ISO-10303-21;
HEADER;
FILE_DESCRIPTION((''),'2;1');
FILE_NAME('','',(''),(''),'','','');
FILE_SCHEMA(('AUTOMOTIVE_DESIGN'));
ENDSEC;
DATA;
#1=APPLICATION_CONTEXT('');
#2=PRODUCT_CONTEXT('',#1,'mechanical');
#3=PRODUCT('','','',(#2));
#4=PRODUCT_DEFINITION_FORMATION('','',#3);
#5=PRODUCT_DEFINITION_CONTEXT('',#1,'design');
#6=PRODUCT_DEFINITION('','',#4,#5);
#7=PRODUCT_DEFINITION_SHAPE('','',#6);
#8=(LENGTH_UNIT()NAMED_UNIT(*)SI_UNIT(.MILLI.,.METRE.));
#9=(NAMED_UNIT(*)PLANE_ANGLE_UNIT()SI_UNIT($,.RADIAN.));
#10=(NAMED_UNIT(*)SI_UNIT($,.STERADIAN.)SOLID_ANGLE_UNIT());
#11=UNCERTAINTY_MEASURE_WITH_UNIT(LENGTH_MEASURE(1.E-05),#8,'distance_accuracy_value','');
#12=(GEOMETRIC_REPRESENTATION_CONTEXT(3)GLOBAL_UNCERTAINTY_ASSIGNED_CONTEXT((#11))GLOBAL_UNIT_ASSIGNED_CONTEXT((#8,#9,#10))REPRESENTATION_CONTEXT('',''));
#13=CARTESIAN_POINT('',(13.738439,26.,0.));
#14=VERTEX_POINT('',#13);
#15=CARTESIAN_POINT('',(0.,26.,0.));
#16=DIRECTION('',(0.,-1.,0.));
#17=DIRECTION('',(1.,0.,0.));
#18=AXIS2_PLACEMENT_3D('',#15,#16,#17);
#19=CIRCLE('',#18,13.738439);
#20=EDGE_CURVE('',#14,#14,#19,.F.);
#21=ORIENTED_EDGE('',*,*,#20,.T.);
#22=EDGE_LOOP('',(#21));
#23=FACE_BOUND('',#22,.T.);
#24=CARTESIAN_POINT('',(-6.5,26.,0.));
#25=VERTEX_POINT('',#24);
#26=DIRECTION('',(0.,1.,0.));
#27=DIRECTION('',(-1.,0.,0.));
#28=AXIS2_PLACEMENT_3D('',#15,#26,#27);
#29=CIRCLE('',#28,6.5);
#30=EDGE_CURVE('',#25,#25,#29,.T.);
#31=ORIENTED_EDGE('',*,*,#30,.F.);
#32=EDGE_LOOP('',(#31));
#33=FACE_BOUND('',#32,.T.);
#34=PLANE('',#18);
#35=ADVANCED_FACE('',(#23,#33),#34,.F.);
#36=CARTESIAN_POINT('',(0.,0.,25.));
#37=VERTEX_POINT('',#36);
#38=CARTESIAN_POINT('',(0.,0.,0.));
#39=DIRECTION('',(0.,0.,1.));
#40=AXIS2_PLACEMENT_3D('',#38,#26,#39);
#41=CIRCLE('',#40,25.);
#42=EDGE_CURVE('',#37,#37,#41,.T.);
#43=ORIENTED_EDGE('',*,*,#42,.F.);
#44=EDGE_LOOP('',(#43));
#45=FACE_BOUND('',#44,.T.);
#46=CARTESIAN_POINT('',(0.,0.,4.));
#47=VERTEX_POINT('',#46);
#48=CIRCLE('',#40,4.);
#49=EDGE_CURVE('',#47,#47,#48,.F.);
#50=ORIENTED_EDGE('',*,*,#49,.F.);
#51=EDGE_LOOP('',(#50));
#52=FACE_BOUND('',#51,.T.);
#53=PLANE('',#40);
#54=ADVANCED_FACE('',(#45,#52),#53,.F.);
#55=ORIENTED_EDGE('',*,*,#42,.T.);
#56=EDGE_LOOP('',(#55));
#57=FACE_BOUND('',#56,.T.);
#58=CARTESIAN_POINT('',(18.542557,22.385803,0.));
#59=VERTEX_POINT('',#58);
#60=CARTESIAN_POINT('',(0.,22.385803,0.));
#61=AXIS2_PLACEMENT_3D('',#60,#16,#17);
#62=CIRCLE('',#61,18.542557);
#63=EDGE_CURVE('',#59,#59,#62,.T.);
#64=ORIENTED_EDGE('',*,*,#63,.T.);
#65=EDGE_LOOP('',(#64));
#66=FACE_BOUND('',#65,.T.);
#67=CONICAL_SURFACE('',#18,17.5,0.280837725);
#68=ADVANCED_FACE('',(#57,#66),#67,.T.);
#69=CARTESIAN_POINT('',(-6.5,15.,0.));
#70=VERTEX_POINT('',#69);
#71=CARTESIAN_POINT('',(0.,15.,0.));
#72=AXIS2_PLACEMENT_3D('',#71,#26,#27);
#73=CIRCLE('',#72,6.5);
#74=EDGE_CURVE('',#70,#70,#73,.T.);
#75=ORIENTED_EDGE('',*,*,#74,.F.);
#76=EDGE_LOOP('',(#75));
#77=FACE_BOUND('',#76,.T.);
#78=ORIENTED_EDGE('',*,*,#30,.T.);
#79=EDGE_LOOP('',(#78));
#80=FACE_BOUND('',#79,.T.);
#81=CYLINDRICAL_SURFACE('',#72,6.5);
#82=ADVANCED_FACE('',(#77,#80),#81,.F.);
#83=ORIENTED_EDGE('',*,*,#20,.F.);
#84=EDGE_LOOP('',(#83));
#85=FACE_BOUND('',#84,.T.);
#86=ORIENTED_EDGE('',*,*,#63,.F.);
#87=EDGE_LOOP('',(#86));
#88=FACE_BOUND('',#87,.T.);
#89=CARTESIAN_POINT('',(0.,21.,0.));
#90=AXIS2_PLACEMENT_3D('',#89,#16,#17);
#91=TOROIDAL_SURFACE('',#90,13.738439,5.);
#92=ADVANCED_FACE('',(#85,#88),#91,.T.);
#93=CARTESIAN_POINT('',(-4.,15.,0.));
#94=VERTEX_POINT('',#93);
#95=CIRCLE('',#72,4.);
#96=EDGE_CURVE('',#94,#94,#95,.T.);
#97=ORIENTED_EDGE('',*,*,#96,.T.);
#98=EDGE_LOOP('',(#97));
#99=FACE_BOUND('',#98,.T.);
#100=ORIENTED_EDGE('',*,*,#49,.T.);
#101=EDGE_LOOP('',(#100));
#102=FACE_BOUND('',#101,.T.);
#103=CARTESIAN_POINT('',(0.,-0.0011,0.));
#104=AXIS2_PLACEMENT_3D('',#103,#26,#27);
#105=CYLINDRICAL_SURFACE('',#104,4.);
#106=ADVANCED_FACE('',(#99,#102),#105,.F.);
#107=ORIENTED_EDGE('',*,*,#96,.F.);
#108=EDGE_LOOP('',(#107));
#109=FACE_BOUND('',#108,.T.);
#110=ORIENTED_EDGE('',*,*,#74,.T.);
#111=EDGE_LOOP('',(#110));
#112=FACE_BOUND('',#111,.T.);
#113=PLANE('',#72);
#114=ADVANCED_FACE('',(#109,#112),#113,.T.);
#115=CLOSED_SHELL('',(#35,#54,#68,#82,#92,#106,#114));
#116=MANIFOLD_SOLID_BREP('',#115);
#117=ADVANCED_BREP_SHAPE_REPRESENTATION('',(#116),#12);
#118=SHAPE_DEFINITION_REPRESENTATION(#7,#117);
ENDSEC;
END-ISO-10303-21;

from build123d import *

# Parameters (mm, degrees)
SKETCH_1_R          = 17.5
SKETCH_2_R          = 25
SKETCH_3_R          = 6.5
CUT_EXTRUDE_1_DEPTH = 11
CUT_EXTRUDE_2_REACH = 17
SKETCH_4_R          = 4
FILLET_1_R          = 5


with BuildPart() as part:
    # 草图1 → 放样1 section 0
    with BuildSketch(Plane(origin=(0, 26, 0), x_dir=(-1, 0, 0), z_dir=(0, -1, 0))):
        Circle(SKETCH_1_R)
    # 草图2 → 放样1 section 1
    with BuildSketch(Plane(origin=(0, 0, 0), x_dir=(1, 0, 0), z_dir=(0, 1, 0))):
        Circle(SKETCH_2_R)
    loft()

    # 草图3 → 切除-拉伸1 (cut)
    with BuildSketch(Plane(origin=(0, 26, 0), x_dir=(1, 0, 0), z_dir=(0, 1, 0))):
        Circle(SKETCH_3_R)
    extrude(amount=-CUT_EXTRUDE_1_DEPTH, mode=Mode.SUBTRACT)

    # 草图4 → 切除-拉伸2 (cut, up to next)
    with BuildSketch(Plane(origin=(0, 15, 0), x_dir=(1, 0, 0), z_dir=(0, 1, 0)), mode=Mode.PRIVATE) as cut_extrude_2_sk1:
        Circle(SKETCH_4_R)
    cut_extrude_2_tool1 = extrude(cut_extrude_2_sk1.sketch, amount=-CUT_EXTRUDE_2_REACH, mode=Mode.PRIVATE) & part.part
    add(cut_extrude_2_tool1.solids().sort_by_distance((0, 15, 0))[0], mode=Mode.SUBTRACT)

    # 圆角1
    fillet_1_edges = [part.edges().sort_by_distance(p)[0] for p in [
        (17.5, 26, 0),
    ]]
    fillet(fillet_1_edges, radius=FILLET_1_R)


solid = part.part
